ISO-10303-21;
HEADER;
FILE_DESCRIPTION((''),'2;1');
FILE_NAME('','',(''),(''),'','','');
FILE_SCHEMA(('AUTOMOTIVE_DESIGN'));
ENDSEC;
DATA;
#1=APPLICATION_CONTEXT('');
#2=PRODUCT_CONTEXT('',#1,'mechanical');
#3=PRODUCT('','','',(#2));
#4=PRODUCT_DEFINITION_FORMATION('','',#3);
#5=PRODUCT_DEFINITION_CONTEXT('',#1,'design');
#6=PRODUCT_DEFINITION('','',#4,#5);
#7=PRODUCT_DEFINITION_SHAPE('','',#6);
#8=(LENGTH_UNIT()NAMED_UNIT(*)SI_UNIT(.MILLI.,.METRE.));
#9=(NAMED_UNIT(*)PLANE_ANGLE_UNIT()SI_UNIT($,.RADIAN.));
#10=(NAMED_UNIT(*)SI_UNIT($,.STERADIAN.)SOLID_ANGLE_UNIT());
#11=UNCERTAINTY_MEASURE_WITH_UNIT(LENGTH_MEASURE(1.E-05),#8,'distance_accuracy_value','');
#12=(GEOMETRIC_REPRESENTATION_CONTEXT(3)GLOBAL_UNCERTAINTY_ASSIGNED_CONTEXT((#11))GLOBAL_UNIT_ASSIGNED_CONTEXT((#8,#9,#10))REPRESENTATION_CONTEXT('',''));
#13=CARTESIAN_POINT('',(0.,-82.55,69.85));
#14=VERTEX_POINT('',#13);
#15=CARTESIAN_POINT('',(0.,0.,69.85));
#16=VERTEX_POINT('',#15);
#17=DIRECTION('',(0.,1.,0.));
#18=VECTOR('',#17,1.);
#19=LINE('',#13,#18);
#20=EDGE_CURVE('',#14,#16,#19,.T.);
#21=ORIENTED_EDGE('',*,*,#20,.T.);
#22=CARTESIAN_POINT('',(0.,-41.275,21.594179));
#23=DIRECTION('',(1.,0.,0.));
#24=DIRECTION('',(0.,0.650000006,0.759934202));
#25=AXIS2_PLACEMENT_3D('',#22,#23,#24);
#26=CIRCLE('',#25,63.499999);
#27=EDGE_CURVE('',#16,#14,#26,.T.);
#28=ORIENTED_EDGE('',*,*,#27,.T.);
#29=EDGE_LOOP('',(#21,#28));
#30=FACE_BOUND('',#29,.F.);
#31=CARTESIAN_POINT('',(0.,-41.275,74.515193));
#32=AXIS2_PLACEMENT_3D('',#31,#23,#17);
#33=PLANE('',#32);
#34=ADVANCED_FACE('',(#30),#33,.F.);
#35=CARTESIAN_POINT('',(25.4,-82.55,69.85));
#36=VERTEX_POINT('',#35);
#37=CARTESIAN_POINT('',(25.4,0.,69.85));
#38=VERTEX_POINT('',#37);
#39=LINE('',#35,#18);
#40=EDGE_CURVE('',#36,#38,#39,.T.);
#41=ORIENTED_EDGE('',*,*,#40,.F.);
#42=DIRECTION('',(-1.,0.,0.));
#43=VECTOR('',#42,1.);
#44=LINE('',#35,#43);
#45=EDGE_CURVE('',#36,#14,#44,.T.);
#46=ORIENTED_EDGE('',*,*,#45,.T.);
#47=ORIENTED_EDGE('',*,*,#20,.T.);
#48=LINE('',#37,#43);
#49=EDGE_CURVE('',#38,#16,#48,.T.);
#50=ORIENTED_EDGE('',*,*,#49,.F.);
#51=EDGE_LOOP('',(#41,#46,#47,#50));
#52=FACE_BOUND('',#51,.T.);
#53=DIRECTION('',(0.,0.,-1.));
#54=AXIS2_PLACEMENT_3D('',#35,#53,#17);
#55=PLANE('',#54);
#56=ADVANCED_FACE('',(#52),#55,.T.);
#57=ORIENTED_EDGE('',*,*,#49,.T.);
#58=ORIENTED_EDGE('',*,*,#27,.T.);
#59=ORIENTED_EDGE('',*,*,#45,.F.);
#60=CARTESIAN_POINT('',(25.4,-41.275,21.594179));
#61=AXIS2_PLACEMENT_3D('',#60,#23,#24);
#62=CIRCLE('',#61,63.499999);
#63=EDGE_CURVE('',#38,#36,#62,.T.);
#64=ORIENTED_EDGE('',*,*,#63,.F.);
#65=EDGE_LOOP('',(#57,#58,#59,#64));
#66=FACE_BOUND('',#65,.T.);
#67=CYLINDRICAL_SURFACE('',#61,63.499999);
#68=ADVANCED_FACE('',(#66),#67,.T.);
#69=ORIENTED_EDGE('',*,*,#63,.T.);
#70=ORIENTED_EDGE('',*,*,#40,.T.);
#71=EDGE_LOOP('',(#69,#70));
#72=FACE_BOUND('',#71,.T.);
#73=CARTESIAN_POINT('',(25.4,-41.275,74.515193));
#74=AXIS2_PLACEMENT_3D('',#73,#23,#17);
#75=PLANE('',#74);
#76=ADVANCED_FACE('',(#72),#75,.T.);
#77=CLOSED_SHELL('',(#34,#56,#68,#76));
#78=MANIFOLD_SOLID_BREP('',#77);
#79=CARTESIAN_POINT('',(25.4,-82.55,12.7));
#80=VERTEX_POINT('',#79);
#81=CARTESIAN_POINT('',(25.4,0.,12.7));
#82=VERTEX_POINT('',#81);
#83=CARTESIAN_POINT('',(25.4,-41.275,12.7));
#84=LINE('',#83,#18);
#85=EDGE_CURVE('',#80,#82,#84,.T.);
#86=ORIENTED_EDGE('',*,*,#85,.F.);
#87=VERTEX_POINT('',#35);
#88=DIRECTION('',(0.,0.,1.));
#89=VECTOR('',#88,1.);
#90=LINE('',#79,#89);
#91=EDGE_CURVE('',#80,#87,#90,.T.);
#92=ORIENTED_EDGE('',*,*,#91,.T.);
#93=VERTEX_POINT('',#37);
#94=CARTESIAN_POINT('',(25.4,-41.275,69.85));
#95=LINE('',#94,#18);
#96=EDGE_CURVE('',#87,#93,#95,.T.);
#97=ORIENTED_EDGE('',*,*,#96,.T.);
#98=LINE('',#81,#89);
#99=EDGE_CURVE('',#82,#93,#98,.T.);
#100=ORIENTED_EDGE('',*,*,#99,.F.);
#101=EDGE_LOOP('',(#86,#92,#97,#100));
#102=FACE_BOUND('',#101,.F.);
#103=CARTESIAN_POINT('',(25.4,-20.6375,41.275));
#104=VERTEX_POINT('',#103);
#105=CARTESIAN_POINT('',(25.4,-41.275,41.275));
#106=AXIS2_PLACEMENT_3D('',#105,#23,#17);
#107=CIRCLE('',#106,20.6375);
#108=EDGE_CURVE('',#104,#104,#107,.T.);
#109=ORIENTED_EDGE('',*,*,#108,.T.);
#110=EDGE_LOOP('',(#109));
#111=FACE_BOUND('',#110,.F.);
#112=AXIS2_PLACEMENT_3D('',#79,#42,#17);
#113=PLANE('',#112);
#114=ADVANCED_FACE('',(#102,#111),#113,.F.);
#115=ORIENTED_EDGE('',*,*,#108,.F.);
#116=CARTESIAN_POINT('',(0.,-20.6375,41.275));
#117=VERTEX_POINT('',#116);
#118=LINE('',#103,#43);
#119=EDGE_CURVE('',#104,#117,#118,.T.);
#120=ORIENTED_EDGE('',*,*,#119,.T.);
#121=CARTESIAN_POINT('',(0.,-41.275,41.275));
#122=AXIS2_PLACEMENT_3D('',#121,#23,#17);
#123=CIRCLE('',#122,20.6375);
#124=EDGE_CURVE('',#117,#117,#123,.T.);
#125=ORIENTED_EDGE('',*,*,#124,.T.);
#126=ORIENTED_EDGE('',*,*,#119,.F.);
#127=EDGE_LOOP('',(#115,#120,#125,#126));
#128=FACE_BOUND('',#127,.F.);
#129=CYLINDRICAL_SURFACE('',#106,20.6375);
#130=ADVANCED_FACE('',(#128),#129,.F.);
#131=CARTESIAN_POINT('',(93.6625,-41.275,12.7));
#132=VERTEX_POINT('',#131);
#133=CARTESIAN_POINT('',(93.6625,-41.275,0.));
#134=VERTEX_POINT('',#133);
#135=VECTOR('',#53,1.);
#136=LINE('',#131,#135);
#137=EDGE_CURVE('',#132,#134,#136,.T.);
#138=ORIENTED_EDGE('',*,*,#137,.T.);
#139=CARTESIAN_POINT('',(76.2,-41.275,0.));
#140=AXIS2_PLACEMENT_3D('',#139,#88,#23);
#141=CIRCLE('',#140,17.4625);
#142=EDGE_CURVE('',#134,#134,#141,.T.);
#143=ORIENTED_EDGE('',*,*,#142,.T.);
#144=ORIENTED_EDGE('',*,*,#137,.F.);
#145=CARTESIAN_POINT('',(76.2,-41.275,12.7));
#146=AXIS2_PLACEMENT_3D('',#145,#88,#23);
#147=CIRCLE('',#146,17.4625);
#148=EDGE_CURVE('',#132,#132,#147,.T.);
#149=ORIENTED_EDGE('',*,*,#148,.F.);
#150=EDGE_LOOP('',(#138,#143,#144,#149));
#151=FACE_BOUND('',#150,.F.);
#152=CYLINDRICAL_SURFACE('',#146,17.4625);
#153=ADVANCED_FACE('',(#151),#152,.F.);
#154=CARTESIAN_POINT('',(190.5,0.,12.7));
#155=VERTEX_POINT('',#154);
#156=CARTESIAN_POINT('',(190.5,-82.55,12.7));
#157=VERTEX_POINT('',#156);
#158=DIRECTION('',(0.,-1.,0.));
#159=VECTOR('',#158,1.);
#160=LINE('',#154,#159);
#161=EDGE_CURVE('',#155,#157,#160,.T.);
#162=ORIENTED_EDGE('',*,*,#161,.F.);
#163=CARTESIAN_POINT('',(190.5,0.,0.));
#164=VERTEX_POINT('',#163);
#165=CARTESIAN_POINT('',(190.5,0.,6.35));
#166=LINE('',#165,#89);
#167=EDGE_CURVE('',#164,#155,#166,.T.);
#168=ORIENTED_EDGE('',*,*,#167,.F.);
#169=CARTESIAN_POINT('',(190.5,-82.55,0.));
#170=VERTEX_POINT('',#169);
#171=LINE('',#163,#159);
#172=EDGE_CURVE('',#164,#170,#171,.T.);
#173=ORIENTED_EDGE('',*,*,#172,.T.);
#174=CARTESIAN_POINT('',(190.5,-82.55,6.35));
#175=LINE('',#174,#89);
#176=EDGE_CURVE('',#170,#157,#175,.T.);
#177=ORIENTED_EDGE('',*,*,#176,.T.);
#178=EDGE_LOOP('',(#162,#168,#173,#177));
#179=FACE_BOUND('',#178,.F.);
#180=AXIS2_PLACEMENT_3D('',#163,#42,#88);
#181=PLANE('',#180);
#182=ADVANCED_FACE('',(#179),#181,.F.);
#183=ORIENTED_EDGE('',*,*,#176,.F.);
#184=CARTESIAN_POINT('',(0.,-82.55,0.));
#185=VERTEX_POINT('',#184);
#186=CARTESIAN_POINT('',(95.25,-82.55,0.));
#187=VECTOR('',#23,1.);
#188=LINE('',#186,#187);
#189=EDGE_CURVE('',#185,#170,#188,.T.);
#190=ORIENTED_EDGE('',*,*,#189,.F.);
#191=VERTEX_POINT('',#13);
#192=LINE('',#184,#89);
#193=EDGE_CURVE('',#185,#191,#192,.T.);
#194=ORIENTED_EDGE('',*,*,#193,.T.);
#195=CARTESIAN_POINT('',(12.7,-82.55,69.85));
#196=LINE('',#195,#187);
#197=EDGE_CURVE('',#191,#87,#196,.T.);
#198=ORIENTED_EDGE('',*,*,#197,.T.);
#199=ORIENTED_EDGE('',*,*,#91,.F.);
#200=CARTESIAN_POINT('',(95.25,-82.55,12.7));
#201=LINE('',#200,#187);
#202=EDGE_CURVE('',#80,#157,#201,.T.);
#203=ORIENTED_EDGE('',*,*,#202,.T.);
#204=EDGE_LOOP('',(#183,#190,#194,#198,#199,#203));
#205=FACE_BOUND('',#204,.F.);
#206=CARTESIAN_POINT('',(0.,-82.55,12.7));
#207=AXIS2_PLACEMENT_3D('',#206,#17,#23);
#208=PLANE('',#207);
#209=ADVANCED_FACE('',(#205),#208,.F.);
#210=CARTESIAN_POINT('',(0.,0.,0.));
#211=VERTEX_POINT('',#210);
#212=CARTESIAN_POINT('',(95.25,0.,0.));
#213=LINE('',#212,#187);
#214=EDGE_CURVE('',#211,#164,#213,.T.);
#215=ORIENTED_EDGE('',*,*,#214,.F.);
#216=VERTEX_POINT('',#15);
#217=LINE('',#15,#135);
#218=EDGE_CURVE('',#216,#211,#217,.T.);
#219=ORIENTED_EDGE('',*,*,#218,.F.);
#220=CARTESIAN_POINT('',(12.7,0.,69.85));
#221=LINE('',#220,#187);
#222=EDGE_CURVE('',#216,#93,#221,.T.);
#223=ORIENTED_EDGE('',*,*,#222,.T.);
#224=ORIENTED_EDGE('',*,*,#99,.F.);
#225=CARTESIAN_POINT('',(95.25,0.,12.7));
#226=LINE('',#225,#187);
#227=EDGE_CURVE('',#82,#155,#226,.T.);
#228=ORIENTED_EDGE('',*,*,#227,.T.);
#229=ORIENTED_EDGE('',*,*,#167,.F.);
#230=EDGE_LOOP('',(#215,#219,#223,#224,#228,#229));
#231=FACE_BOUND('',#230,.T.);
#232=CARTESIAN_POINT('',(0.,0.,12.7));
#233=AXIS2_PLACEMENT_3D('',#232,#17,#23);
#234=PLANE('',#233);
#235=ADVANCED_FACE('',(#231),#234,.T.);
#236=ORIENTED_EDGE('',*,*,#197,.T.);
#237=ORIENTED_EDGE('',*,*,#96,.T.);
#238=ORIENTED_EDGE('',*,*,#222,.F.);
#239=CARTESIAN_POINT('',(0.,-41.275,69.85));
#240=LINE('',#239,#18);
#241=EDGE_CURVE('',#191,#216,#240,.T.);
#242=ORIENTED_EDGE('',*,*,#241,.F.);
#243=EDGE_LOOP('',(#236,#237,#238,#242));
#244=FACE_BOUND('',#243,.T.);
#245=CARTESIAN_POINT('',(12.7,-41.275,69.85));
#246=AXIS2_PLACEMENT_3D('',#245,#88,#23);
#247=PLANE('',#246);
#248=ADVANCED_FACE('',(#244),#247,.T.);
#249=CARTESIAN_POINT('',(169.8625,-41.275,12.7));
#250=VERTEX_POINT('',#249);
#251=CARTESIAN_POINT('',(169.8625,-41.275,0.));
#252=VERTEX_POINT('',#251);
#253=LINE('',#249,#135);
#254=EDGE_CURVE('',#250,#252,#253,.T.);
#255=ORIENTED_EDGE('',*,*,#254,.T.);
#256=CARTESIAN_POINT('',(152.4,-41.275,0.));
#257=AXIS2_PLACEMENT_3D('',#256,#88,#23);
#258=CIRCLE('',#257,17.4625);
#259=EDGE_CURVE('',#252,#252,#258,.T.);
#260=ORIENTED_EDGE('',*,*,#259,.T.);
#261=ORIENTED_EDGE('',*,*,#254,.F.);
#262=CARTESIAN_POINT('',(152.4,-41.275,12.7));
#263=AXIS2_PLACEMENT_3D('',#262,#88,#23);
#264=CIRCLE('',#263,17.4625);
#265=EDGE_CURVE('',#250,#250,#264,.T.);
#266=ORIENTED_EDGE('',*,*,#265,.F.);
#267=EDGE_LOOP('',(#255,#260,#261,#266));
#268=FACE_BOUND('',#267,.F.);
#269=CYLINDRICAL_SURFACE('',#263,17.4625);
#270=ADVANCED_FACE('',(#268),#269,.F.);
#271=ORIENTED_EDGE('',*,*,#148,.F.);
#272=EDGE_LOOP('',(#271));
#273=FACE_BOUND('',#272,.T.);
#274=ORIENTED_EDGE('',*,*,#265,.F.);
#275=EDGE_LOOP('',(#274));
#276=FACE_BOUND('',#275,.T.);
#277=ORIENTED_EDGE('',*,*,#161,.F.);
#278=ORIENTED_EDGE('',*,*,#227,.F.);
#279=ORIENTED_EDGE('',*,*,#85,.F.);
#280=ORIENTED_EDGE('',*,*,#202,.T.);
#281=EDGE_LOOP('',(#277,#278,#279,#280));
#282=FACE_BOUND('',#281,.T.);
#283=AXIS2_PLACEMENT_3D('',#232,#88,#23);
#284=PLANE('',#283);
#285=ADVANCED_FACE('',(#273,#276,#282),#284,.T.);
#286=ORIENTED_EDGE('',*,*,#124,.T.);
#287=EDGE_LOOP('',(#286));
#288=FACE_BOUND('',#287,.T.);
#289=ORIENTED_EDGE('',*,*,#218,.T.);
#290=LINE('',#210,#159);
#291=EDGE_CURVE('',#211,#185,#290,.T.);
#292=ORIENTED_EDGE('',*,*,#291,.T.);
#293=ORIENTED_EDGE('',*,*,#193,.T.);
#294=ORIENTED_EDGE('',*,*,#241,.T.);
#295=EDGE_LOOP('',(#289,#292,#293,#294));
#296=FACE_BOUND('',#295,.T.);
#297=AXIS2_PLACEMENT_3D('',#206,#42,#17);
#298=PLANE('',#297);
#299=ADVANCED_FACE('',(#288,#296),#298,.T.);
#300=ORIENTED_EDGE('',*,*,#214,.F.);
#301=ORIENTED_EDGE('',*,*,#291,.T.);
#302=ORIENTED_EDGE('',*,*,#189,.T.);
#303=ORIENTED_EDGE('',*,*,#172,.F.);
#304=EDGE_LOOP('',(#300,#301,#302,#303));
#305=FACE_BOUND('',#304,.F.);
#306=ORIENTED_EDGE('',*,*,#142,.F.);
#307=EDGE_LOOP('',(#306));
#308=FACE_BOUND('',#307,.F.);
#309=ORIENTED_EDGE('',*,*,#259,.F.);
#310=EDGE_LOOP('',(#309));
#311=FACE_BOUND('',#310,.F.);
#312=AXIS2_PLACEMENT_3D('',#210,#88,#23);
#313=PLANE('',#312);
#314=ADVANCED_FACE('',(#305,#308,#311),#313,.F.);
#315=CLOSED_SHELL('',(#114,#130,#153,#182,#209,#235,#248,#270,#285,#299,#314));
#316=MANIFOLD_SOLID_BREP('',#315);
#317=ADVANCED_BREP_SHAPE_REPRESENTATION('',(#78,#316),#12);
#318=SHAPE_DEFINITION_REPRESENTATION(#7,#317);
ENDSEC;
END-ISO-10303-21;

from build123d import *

# Parameters (mm, degrees)
F0_W     = 190.5
F0_H     = 12.7
F1_DEPTH = 82.55
F2_W     = 25.4
F2_H     = 82.55
F3_DEPTH = 57.15
F5_DEPTH = 25.4
F6_R     = 20.6375
F7_DEPTH = 25.4
F8_R     = 17.4625
F9_DEPTH = 12.7


with BuildPart() as f1:
    # F0 (on Front) → F1 (new body)
    with BuildSketch(Plane.XZ):
        with Locations((95.25, 6.35)):
            Rectangle(F0_W, F0_H)
    extrude(amount=F1_DEPTH)

    # F2 (on face) → F3 (join)
    with BuildSketch(Plane.XY.offset(12.7)):
        with Locations((12.7, -41.275)):
            Rectangle(F2_W, F2_H)
    extrude(amount=F3_DEPTH)

    # F6 (on face) → F7 (cut, through all)
    with BuildSketch(Plane.YZ.offset(25.4)):
        with Locations((-41.275, 41.275)):
            Circle(F6_R)
    extrude(amount=-F7_DEPTH, mode=Mode.SUBTRACT)

    # F8 (on face) → F9 (cut, through all)
    with BuildSketch(Plane.XY.offset(12.7)):
        with Locations((76.2, -41.275)):
            Circle(F8_R)
        with Locations((152.4, -41.275)):
            Circle(F8_R)
    extrude(amount=-F9_DEPTH, mode=Mode.SUBTRACT)


with BuildPart() as f5:
    # F4 (on face) → F5 (new body)
    with BuildSketch(Plane.YZ.offset(25.4)):
        with BuildLine():
            Line((-82.55, 69.85), (0, 69.85))
            ThreePointArc((0, 69.85), (-41.275, 85.094178), (-82.55, 69.85))
        make_face()
    extrude(amount=-F5_DEPTH)


solid = Compound([f1.part, f5.part])
